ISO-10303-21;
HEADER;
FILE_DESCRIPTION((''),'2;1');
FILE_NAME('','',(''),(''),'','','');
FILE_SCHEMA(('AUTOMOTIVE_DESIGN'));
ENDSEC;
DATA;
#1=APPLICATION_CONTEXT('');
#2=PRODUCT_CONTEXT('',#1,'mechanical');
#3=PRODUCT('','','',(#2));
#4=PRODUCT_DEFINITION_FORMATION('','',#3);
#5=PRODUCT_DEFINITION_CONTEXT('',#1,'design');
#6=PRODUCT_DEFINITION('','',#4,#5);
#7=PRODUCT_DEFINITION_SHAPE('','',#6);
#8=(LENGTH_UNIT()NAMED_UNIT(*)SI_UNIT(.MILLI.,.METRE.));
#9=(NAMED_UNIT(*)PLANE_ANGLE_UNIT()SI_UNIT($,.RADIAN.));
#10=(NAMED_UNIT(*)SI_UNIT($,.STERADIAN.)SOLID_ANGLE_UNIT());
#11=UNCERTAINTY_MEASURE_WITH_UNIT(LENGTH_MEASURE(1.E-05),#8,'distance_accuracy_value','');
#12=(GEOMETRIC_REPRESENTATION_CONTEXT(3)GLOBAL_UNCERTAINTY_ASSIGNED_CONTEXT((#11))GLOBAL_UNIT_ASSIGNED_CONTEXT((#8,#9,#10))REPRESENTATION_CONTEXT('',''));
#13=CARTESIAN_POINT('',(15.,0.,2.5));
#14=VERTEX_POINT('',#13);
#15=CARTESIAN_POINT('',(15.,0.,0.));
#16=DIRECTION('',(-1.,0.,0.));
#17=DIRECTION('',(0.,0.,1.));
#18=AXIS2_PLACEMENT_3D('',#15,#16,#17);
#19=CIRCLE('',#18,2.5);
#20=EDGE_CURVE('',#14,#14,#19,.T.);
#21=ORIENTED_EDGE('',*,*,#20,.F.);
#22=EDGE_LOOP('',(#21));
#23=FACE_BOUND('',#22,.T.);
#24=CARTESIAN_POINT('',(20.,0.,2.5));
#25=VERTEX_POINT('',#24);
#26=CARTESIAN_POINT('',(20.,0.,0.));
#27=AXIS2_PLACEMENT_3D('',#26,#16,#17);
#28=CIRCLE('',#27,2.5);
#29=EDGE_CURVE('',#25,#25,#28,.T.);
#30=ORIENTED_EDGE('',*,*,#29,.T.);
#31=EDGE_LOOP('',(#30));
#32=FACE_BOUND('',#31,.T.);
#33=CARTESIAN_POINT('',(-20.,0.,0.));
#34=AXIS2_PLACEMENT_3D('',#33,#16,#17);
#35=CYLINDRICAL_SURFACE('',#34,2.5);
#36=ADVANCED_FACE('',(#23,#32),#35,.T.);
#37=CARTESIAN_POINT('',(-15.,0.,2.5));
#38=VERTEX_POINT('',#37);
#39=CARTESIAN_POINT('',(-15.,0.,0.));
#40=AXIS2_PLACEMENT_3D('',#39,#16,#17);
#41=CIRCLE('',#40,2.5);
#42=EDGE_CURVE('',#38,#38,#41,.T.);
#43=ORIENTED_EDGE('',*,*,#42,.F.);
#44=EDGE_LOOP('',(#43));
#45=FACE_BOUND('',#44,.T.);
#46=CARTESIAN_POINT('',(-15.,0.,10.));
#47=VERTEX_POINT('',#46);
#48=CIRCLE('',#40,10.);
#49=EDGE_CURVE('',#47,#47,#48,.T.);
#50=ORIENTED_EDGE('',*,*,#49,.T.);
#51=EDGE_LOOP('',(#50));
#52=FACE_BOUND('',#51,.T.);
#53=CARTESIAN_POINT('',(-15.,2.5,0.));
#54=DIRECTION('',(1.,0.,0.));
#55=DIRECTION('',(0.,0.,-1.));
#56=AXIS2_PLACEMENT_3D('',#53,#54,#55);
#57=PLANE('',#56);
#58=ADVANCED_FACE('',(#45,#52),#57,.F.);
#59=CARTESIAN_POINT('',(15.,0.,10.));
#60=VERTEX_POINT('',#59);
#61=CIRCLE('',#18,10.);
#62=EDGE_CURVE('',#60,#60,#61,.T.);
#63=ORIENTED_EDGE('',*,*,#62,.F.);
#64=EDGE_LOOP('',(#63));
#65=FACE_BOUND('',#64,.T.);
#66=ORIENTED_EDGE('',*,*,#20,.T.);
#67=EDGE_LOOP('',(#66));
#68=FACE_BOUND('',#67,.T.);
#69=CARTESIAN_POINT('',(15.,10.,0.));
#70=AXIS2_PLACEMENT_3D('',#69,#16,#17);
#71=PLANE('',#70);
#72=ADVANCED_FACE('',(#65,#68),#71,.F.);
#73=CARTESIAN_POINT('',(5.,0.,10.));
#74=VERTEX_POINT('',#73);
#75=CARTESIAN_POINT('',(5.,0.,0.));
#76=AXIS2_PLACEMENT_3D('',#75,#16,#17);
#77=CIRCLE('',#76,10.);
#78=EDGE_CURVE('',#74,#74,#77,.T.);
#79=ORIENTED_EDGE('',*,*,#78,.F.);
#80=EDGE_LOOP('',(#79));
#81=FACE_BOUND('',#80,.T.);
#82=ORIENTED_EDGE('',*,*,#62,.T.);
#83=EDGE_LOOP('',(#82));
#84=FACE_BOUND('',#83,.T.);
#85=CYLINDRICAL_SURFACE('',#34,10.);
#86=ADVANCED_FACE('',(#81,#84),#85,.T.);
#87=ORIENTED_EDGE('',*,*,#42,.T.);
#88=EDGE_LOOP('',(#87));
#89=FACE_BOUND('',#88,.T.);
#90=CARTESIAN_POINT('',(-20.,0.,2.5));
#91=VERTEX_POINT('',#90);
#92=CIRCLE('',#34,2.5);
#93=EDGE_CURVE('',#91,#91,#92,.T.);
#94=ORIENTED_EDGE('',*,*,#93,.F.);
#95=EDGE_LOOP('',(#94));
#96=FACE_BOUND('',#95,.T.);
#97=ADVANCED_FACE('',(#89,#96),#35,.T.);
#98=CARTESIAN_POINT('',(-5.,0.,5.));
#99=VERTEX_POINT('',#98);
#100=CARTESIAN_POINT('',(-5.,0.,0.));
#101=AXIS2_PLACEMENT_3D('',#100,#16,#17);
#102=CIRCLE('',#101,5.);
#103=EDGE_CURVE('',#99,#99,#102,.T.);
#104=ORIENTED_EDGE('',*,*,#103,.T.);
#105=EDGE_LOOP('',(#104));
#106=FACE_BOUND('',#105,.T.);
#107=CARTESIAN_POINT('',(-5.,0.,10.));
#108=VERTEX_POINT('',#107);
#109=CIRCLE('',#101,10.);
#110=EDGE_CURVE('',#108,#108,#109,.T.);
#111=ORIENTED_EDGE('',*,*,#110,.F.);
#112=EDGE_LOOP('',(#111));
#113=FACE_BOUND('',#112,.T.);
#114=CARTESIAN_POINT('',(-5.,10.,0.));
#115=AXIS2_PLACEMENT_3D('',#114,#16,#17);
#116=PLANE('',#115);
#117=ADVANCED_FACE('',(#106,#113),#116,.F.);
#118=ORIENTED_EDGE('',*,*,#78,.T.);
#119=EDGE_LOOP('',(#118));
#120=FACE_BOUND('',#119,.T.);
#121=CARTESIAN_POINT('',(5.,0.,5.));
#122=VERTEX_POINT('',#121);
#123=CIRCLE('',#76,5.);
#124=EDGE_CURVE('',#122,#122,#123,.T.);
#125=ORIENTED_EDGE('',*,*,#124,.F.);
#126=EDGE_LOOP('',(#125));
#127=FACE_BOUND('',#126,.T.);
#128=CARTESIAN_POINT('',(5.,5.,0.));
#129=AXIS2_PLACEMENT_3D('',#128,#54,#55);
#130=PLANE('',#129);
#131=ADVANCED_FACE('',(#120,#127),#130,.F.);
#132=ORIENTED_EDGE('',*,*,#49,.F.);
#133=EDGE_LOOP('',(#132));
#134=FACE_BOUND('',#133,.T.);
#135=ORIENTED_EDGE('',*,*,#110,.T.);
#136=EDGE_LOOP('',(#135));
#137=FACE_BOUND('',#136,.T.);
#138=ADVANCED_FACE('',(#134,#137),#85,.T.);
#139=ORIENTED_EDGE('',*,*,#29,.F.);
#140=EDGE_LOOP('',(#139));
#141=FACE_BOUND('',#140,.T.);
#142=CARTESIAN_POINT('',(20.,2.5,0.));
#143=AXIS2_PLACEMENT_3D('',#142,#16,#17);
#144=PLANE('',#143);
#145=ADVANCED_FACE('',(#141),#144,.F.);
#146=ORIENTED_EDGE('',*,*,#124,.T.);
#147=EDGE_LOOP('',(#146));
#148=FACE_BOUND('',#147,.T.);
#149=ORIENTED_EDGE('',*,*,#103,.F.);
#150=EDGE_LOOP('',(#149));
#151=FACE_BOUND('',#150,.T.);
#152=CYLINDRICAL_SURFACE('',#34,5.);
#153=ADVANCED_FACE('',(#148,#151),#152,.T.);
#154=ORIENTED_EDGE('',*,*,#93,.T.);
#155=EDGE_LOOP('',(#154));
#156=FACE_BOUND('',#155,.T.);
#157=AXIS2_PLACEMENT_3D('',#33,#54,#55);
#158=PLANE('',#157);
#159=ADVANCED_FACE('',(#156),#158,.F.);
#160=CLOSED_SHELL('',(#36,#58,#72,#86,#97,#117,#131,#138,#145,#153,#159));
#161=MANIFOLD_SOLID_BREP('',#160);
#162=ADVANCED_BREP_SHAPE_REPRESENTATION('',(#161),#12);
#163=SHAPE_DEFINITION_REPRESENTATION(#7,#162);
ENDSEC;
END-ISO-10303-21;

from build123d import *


with BuildPart() as part:
    # Sketch3 → Revolve1 (revolve)
    with BuildSketch(Plane.XY, mode=Mode.PRIVATE) as revolve1_sk:
        Polygon((-20, 0), (20, 0), (20, 2.5), (15, 2.5), (15, 10), (5, 10), (5, 5), (-5, 5), (-5, 10), (-15, 10), (-15, 2.5), (-20, 2.5), align=None)
    revolve(revolve1_sk.sketch.rotate(Axis((-20, 0, 0), (1, 0, 0)), 90), axis=Axis((-20, 0, 0), (1, 0, 0)))


solid = part.part
